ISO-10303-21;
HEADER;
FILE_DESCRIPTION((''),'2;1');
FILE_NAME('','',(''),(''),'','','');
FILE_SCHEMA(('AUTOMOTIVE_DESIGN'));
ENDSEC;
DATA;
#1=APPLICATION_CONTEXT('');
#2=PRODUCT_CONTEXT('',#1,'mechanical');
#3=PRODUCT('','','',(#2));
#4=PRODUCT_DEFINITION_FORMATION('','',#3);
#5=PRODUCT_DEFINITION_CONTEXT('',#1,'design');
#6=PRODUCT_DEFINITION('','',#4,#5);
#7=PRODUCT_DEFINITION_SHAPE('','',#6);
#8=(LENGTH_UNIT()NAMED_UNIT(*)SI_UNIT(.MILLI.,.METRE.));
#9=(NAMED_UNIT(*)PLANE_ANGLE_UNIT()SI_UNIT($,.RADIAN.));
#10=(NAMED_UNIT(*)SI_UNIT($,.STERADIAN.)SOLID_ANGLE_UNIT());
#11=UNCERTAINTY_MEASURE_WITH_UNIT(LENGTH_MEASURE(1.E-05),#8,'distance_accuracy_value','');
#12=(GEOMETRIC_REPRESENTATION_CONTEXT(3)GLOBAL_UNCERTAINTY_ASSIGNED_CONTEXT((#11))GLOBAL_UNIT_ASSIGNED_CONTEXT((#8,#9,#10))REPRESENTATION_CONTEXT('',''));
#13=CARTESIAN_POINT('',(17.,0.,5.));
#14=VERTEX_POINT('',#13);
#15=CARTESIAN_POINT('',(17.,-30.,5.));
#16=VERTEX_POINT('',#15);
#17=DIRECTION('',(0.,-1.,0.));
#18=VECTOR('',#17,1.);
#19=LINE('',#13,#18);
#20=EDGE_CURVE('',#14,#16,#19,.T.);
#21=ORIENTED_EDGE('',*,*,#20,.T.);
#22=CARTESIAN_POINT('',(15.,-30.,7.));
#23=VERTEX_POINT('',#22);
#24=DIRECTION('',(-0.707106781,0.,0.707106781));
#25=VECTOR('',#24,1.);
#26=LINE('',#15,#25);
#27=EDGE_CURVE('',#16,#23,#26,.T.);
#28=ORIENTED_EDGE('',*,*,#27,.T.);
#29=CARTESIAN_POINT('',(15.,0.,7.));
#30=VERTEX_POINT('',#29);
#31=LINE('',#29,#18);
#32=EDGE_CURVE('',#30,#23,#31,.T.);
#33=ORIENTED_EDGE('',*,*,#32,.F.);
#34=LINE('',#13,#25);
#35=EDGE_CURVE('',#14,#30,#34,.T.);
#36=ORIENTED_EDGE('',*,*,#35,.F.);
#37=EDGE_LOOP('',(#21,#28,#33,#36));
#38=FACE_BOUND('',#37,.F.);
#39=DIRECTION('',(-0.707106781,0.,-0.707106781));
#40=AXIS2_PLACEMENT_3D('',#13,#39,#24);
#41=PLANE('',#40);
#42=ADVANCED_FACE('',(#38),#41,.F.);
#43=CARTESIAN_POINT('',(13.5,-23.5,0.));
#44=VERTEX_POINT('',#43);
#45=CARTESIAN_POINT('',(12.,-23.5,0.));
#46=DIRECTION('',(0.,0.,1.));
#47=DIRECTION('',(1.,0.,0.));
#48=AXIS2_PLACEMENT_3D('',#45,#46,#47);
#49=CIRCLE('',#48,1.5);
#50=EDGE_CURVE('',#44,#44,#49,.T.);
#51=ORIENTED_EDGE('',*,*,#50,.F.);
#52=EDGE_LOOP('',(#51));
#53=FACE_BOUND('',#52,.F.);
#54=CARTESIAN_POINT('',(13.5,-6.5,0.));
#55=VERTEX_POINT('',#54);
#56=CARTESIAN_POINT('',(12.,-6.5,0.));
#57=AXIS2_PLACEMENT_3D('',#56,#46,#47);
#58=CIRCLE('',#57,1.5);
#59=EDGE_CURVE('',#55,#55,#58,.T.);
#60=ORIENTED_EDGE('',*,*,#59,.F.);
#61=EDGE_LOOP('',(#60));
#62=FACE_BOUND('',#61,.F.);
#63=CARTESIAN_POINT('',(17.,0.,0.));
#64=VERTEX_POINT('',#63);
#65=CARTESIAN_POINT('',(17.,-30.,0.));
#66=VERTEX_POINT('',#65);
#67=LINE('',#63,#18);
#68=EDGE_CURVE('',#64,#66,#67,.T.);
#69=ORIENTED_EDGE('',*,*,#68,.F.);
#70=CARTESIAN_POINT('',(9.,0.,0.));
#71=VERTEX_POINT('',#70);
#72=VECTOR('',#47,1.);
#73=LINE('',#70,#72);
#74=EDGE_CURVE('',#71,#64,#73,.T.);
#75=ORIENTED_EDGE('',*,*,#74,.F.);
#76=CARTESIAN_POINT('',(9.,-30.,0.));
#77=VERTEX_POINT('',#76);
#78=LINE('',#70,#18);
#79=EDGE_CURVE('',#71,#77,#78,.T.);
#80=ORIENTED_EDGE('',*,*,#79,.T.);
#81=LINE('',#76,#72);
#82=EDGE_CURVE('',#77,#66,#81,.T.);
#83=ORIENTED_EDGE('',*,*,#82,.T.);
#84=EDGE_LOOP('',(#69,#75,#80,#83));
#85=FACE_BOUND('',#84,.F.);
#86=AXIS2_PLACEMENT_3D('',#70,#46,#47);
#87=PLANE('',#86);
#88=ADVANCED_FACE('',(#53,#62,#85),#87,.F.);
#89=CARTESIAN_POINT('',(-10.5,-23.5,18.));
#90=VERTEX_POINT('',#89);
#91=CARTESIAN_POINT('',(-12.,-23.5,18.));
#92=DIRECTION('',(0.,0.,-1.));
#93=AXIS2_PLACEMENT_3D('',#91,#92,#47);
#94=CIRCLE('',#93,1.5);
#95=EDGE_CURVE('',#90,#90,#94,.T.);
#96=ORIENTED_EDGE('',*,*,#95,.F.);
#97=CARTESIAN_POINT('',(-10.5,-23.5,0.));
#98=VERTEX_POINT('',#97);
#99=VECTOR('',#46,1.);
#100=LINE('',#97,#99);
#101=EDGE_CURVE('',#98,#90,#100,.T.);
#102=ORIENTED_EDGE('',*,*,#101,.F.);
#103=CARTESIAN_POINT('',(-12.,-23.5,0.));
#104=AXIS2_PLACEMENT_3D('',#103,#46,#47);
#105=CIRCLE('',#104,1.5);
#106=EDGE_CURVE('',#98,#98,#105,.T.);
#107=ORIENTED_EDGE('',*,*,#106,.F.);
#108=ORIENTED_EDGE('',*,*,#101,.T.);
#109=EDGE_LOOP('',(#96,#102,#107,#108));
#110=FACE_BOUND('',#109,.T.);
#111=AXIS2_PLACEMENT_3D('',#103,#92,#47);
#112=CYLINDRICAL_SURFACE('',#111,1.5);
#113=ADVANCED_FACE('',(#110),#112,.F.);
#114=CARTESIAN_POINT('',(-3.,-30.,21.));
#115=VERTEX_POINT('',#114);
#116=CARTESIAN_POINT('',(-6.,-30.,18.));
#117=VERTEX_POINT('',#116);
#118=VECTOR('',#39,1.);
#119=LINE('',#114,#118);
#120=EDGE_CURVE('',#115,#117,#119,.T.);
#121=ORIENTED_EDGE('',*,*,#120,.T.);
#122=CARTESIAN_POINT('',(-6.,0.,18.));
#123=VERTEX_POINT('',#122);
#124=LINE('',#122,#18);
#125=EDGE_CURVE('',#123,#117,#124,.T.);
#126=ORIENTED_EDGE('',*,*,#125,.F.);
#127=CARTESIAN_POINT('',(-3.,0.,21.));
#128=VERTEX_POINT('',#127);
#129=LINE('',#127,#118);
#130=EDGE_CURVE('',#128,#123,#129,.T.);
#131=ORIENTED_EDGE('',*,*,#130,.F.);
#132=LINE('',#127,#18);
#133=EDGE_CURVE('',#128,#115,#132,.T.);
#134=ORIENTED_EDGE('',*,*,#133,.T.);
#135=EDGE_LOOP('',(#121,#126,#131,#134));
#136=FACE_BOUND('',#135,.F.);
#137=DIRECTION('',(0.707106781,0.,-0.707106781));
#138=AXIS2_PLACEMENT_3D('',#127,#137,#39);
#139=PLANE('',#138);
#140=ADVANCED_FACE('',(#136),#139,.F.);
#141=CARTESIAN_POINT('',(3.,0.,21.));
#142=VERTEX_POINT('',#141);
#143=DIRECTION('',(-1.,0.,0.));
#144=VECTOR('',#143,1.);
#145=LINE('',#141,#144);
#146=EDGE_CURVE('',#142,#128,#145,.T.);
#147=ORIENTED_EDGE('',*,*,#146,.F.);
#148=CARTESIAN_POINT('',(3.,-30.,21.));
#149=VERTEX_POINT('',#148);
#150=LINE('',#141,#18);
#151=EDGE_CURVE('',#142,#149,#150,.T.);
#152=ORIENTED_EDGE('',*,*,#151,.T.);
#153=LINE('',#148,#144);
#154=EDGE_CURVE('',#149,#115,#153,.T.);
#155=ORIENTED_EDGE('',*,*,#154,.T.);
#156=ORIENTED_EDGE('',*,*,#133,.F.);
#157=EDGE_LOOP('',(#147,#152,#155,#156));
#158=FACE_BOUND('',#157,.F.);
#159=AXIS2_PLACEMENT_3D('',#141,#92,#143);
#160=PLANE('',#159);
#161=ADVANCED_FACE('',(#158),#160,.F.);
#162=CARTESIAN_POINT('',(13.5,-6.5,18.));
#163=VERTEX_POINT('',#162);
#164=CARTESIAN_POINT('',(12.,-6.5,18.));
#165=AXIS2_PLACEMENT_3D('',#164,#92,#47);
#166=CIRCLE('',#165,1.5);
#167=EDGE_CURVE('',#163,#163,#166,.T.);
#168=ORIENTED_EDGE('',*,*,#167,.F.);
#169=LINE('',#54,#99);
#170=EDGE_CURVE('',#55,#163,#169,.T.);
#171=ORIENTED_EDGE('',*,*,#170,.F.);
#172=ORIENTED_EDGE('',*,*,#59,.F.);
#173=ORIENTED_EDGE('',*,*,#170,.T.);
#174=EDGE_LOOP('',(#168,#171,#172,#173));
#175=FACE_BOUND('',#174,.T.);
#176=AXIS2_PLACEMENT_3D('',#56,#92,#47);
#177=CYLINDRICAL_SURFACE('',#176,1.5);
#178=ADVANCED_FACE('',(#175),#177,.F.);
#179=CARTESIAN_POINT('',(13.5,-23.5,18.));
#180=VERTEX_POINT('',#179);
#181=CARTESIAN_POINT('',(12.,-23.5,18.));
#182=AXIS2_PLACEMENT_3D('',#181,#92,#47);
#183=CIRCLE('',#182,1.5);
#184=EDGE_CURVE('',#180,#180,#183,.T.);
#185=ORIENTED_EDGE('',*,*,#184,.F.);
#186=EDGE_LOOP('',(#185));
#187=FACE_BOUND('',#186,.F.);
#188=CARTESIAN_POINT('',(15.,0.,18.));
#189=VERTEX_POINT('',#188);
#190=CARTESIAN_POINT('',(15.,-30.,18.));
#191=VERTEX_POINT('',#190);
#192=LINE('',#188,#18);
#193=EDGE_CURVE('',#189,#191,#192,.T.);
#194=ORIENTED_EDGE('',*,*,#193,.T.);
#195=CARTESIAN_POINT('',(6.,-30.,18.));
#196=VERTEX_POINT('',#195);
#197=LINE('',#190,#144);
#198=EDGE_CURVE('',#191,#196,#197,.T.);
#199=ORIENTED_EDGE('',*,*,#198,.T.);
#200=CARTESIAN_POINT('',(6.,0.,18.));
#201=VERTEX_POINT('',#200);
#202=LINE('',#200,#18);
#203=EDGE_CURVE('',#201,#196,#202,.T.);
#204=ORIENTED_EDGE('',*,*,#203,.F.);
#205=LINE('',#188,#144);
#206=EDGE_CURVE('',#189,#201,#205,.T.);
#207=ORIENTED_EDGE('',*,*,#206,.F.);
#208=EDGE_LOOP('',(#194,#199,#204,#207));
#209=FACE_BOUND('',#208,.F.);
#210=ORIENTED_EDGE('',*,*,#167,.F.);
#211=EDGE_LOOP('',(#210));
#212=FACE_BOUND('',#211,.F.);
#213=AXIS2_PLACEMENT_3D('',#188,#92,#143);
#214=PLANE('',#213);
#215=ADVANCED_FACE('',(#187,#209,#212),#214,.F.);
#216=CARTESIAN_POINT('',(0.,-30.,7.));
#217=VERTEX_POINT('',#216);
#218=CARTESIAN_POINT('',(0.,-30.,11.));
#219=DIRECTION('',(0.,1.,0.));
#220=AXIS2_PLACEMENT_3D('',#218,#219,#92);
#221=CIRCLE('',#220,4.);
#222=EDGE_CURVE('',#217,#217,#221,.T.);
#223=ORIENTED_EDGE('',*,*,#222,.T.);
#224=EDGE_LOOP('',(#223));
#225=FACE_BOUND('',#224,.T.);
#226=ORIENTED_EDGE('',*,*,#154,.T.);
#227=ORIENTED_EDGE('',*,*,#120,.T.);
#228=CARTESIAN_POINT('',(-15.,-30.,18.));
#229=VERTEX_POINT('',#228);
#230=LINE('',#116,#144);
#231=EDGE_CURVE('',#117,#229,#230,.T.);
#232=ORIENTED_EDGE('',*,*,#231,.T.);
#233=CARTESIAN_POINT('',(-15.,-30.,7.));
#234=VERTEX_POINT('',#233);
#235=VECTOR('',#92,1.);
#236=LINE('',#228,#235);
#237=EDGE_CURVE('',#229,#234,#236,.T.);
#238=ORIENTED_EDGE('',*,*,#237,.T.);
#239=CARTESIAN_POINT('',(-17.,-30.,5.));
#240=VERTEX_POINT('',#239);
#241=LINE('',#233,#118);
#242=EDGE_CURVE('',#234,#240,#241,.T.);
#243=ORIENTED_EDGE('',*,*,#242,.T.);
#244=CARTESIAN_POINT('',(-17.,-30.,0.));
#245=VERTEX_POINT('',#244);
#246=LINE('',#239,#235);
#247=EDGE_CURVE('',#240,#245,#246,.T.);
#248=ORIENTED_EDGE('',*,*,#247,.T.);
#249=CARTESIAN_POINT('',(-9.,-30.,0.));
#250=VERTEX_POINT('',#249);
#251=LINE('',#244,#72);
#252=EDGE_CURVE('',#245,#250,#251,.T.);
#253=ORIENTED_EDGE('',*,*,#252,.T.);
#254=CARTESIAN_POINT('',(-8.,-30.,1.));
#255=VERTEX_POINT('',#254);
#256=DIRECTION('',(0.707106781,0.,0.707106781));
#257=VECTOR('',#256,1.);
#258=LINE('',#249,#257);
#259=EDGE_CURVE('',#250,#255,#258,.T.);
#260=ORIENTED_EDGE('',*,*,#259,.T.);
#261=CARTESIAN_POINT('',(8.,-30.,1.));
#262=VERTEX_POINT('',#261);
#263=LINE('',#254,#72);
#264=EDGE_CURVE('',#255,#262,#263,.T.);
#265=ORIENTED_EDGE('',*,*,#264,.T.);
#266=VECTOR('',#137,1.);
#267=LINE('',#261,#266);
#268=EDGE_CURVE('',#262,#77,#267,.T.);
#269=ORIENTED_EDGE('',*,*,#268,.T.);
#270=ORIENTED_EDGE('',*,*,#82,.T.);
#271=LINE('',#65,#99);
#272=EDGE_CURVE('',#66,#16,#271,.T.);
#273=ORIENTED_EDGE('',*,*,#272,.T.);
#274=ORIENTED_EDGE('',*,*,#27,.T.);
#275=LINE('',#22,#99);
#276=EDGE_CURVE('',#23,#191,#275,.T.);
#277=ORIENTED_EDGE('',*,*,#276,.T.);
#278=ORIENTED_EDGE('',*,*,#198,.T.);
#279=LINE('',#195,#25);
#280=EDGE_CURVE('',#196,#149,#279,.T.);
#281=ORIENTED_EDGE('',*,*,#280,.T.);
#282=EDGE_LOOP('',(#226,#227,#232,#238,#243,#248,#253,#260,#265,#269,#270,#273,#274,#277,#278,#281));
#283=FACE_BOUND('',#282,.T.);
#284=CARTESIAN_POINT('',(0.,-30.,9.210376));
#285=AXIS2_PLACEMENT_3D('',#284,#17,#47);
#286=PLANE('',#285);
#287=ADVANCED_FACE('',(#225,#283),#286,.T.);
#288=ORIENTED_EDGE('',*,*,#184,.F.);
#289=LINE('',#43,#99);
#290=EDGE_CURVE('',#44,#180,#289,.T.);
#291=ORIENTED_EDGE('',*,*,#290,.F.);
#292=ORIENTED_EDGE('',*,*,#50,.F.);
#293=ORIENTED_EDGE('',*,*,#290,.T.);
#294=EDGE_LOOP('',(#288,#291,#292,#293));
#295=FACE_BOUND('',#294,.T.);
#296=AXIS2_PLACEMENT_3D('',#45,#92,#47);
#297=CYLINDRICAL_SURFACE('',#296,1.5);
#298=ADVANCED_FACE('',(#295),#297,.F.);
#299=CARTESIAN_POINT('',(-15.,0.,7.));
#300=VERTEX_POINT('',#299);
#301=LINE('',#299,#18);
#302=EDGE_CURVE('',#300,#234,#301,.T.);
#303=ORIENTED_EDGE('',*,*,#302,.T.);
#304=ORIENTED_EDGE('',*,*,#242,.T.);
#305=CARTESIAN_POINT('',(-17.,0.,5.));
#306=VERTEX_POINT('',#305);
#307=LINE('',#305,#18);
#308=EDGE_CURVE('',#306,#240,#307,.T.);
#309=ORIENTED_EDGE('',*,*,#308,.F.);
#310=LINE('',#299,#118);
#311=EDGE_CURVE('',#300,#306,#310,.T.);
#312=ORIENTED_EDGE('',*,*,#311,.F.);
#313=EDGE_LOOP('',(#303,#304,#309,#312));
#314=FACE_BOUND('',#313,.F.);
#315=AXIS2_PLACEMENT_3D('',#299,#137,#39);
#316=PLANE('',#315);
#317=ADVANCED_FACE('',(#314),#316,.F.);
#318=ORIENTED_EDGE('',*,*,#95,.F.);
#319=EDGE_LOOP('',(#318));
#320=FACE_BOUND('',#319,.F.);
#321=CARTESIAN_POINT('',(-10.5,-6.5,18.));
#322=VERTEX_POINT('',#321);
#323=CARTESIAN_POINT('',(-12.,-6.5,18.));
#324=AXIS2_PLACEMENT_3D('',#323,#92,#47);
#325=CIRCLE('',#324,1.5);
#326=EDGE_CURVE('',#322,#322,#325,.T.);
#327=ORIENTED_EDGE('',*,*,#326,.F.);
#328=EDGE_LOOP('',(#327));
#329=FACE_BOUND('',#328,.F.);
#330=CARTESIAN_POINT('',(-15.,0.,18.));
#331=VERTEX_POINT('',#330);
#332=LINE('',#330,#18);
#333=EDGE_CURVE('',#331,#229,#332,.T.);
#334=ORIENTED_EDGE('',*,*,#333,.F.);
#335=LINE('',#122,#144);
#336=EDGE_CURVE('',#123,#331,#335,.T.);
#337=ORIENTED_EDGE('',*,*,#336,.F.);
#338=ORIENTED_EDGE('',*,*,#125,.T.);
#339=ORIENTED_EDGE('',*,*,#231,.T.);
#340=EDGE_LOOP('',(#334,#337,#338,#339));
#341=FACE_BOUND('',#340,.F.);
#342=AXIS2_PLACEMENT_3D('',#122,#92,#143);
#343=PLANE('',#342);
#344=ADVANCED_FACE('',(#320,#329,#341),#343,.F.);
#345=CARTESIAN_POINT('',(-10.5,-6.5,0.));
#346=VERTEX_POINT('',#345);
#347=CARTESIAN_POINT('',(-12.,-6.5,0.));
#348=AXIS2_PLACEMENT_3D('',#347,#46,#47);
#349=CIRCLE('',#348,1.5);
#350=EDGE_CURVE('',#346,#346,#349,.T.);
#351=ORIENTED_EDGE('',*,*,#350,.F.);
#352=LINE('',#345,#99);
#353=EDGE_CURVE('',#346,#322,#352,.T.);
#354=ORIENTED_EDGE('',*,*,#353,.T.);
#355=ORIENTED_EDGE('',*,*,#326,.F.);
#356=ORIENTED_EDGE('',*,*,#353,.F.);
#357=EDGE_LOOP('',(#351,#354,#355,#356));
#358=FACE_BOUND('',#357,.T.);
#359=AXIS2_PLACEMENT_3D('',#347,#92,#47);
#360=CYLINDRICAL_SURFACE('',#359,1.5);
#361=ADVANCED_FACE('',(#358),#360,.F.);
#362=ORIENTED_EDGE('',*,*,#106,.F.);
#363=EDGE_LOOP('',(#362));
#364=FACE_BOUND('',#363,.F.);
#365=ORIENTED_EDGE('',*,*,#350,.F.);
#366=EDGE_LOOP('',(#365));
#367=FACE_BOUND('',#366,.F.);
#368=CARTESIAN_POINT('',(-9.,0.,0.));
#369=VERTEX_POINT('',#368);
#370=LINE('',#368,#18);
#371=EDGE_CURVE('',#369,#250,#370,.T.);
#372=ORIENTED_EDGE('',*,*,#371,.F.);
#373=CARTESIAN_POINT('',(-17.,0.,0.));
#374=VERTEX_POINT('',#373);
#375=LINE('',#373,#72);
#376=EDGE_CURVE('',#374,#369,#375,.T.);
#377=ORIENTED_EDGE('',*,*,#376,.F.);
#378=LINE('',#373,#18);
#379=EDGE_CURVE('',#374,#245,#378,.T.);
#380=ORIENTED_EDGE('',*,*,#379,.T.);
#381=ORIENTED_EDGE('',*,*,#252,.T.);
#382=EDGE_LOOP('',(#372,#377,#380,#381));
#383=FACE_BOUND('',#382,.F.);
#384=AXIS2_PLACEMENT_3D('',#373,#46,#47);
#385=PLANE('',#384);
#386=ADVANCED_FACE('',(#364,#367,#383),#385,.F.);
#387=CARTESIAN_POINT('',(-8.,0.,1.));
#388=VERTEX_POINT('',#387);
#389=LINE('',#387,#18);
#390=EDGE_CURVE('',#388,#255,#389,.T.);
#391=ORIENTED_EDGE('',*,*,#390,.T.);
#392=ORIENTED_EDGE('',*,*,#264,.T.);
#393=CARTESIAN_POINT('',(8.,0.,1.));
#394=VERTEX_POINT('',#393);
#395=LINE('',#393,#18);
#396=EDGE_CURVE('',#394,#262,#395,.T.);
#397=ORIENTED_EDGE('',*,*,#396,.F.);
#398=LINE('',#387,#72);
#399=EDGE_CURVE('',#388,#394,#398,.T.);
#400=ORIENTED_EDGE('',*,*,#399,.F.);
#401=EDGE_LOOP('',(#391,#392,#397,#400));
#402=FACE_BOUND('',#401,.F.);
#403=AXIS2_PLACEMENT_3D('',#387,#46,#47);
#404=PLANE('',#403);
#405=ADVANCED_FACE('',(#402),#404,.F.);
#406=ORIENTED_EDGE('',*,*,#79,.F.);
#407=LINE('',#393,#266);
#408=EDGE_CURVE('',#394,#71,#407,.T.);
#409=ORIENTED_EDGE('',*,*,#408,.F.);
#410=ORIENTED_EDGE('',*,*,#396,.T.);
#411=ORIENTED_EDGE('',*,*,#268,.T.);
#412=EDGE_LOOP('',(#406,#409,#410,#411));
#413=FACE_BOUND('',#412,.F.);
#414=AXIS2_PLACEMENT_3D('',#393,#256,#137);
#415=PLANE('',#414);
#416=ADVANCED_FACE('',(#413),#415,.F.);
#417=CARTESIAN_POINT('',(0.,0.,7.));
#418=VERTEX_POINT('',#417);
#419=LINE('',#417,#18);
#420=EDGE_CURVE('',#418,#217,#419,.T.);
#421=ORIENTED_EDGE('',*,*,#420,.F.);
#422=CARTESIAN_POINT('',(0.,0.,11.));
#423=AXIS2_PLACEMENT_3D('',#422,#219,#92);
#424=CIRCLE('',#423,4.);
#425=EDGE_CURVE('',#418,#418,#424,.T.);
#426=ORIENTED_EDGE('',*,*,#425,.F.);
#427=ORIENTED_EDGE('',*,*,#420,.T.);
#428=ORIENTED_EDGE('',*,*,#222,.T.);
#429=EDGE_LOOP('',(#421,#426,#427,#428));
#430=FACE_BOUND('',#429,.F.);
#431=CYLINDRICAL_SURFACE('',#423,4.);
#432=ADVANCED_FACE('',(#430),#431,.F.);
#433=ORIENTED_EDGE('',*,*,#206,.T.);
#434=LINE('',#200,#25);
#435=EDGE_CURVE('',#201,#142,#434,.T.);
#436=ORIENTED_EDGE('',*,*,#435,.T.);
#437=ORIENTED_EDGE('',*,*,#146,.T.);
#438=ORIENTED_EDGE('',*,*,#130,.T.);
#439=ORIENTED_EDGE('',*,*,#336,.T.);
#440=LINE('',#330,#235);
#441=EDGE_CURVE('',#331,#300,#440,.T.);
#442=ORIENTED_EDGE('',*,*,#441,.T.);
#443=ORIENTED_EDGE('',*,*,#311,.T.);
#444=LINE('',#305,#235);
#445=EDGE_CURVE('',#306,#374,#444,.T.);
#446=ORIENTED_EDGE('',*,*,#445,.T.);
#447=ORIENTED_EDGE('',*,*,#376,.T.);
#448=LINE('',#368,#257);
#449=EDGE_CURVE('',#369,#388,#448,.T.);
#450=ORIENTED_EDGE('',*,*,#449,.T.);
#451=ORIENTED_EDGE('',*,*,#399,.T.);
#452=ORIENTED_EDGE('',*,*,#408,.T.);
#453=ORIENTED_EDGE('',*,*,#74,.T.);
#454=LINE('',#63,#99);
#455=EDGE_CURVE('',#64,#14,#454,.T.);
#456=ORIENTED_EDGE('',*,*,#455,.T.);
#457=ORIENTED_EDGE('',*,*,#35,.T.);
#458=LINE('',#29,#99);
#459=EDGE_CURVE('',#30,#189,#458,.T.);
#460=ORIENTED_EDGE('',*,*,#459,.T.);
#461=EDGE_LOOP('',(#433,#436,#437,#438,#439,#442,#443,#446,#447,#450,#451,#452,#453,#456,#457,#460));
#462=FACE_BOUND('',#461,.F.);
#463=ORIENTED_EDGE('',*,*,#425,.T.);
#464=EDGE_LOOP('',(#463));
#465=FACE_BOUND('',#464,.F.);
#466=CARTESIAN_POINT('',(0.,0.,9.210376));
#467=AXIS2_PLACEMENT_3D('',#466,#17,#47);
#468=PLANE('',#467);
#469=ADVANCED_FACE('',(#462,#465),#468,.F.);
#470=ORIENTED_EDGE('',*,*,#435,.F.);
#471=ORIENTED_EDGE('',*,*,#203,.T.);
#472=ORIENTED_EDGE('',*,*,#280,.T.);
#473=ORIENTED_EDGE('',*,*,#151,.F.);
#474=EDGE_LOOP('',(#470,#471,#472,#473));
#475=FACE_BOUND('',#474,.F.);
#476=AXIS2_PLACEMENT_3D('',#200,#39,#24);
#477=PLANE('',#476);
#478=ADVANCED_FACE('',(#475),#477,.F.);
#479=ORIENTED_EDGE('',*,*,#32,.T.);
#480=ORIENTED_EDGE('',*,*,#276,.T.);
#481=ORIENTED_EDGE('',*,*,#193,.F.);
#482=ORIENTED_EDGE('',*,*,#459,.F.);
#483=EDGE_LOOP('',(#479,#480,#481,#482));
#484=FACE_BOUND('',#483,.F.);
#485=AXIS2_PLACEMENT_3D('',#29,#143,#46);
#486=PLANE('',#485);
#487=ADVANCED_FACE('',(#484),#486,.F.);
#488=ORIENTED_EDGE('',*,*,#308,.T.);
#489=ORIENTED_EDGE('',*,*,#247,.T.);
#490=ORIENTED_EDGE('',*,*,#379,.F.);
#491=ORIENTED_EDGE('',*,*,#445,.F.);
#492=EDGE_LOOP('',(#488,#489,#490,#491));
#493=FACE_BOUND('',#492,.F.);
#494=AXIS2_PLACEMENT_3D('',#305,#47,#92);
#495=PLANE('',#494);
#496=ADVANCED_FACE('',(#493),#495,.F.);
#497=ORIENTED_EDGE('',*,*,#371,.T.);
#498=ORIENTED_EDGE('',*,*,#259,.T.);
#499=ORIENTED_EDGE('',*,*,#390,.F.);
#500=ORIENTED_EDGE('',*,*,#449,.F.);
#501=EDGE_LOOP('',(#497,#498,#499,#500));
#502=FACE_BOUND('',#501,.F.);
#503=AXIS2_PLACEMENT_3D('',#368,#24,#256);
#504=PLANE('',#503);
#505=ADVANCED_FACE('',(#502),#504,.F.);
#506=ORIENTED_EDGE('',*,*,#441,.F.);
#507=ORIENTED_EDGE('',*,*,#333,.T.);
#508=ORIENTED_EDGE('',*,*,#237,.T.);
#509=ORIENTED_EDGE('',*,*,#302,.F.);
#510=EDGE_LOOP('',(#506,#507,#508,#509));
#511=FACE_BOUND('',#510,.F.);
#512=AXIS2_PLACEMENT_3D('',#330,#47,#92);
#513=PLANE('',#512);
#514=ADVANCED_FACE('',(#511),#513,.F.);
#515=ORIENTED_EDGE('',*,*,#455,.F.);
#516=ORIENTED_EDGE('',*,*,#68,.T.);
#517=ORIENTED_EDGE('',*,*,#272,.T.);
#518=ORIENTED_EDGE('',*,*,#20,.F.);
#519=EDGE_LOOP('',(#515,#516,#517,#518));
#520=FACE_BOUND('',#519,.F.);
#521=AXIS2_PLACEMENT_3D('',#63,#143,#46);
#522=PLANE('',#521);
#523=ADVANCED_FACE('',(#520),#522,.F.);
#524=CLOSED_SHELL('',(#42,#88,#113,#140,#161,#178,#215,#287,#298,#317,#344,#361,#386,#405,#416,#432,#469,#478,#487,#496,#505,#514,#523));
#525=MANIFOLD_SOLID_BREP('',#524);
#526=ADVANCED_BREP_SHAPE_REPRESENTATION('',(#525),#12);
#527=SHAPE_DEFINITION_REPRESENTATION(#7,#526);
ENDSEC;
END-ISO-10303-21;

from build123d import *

# Parameters (mm, degrees)
F1_DEPTH = 30
F2_R     = 1.5
F3_DEPTH = 21.001


with BuildPart() as f1:
    # F0 (on Front) → F1 (new body)
    with BuildSketch(Plane.XZ):
        Polygon((-8, 1), (0, 1), (8, 1), (9, 0), (17, 0), (17, 5), (15, 7), (15, 18), (6, 18), (3, 21), (0, 21), (-3, 21), (-6, 18), (-15, 18), (-15, 7), (-17, 5), (-17, 0), (-9, 0), align=None)
        with BuildLine():
            ThreePointArc((0, 15), (4, 11), (0, 7))
            ThreePointArc((0, 7), (-4, 11), (0, 15))
        make_face(mode=Mode.SUBTRACT)
    extrude(amount=F1_DEPTH)

    # F2 (on Top) → F3 (cut, through all)
    with BuildSketch(Plane.XY):
        with Locations((-12, -6.5)):
            Circle(F2_R)
        with Locations((-12, -23.5)):
            Circle(F2_R)
        with Locations((12, -23.5)):
            Circle(F2_R)
        with Locations((12, -6.5)):
            Circle(F2_R)
    extrude(amount=F3_DEPTH, mode=Mode.SUBTRACT)


solid = f1.part
